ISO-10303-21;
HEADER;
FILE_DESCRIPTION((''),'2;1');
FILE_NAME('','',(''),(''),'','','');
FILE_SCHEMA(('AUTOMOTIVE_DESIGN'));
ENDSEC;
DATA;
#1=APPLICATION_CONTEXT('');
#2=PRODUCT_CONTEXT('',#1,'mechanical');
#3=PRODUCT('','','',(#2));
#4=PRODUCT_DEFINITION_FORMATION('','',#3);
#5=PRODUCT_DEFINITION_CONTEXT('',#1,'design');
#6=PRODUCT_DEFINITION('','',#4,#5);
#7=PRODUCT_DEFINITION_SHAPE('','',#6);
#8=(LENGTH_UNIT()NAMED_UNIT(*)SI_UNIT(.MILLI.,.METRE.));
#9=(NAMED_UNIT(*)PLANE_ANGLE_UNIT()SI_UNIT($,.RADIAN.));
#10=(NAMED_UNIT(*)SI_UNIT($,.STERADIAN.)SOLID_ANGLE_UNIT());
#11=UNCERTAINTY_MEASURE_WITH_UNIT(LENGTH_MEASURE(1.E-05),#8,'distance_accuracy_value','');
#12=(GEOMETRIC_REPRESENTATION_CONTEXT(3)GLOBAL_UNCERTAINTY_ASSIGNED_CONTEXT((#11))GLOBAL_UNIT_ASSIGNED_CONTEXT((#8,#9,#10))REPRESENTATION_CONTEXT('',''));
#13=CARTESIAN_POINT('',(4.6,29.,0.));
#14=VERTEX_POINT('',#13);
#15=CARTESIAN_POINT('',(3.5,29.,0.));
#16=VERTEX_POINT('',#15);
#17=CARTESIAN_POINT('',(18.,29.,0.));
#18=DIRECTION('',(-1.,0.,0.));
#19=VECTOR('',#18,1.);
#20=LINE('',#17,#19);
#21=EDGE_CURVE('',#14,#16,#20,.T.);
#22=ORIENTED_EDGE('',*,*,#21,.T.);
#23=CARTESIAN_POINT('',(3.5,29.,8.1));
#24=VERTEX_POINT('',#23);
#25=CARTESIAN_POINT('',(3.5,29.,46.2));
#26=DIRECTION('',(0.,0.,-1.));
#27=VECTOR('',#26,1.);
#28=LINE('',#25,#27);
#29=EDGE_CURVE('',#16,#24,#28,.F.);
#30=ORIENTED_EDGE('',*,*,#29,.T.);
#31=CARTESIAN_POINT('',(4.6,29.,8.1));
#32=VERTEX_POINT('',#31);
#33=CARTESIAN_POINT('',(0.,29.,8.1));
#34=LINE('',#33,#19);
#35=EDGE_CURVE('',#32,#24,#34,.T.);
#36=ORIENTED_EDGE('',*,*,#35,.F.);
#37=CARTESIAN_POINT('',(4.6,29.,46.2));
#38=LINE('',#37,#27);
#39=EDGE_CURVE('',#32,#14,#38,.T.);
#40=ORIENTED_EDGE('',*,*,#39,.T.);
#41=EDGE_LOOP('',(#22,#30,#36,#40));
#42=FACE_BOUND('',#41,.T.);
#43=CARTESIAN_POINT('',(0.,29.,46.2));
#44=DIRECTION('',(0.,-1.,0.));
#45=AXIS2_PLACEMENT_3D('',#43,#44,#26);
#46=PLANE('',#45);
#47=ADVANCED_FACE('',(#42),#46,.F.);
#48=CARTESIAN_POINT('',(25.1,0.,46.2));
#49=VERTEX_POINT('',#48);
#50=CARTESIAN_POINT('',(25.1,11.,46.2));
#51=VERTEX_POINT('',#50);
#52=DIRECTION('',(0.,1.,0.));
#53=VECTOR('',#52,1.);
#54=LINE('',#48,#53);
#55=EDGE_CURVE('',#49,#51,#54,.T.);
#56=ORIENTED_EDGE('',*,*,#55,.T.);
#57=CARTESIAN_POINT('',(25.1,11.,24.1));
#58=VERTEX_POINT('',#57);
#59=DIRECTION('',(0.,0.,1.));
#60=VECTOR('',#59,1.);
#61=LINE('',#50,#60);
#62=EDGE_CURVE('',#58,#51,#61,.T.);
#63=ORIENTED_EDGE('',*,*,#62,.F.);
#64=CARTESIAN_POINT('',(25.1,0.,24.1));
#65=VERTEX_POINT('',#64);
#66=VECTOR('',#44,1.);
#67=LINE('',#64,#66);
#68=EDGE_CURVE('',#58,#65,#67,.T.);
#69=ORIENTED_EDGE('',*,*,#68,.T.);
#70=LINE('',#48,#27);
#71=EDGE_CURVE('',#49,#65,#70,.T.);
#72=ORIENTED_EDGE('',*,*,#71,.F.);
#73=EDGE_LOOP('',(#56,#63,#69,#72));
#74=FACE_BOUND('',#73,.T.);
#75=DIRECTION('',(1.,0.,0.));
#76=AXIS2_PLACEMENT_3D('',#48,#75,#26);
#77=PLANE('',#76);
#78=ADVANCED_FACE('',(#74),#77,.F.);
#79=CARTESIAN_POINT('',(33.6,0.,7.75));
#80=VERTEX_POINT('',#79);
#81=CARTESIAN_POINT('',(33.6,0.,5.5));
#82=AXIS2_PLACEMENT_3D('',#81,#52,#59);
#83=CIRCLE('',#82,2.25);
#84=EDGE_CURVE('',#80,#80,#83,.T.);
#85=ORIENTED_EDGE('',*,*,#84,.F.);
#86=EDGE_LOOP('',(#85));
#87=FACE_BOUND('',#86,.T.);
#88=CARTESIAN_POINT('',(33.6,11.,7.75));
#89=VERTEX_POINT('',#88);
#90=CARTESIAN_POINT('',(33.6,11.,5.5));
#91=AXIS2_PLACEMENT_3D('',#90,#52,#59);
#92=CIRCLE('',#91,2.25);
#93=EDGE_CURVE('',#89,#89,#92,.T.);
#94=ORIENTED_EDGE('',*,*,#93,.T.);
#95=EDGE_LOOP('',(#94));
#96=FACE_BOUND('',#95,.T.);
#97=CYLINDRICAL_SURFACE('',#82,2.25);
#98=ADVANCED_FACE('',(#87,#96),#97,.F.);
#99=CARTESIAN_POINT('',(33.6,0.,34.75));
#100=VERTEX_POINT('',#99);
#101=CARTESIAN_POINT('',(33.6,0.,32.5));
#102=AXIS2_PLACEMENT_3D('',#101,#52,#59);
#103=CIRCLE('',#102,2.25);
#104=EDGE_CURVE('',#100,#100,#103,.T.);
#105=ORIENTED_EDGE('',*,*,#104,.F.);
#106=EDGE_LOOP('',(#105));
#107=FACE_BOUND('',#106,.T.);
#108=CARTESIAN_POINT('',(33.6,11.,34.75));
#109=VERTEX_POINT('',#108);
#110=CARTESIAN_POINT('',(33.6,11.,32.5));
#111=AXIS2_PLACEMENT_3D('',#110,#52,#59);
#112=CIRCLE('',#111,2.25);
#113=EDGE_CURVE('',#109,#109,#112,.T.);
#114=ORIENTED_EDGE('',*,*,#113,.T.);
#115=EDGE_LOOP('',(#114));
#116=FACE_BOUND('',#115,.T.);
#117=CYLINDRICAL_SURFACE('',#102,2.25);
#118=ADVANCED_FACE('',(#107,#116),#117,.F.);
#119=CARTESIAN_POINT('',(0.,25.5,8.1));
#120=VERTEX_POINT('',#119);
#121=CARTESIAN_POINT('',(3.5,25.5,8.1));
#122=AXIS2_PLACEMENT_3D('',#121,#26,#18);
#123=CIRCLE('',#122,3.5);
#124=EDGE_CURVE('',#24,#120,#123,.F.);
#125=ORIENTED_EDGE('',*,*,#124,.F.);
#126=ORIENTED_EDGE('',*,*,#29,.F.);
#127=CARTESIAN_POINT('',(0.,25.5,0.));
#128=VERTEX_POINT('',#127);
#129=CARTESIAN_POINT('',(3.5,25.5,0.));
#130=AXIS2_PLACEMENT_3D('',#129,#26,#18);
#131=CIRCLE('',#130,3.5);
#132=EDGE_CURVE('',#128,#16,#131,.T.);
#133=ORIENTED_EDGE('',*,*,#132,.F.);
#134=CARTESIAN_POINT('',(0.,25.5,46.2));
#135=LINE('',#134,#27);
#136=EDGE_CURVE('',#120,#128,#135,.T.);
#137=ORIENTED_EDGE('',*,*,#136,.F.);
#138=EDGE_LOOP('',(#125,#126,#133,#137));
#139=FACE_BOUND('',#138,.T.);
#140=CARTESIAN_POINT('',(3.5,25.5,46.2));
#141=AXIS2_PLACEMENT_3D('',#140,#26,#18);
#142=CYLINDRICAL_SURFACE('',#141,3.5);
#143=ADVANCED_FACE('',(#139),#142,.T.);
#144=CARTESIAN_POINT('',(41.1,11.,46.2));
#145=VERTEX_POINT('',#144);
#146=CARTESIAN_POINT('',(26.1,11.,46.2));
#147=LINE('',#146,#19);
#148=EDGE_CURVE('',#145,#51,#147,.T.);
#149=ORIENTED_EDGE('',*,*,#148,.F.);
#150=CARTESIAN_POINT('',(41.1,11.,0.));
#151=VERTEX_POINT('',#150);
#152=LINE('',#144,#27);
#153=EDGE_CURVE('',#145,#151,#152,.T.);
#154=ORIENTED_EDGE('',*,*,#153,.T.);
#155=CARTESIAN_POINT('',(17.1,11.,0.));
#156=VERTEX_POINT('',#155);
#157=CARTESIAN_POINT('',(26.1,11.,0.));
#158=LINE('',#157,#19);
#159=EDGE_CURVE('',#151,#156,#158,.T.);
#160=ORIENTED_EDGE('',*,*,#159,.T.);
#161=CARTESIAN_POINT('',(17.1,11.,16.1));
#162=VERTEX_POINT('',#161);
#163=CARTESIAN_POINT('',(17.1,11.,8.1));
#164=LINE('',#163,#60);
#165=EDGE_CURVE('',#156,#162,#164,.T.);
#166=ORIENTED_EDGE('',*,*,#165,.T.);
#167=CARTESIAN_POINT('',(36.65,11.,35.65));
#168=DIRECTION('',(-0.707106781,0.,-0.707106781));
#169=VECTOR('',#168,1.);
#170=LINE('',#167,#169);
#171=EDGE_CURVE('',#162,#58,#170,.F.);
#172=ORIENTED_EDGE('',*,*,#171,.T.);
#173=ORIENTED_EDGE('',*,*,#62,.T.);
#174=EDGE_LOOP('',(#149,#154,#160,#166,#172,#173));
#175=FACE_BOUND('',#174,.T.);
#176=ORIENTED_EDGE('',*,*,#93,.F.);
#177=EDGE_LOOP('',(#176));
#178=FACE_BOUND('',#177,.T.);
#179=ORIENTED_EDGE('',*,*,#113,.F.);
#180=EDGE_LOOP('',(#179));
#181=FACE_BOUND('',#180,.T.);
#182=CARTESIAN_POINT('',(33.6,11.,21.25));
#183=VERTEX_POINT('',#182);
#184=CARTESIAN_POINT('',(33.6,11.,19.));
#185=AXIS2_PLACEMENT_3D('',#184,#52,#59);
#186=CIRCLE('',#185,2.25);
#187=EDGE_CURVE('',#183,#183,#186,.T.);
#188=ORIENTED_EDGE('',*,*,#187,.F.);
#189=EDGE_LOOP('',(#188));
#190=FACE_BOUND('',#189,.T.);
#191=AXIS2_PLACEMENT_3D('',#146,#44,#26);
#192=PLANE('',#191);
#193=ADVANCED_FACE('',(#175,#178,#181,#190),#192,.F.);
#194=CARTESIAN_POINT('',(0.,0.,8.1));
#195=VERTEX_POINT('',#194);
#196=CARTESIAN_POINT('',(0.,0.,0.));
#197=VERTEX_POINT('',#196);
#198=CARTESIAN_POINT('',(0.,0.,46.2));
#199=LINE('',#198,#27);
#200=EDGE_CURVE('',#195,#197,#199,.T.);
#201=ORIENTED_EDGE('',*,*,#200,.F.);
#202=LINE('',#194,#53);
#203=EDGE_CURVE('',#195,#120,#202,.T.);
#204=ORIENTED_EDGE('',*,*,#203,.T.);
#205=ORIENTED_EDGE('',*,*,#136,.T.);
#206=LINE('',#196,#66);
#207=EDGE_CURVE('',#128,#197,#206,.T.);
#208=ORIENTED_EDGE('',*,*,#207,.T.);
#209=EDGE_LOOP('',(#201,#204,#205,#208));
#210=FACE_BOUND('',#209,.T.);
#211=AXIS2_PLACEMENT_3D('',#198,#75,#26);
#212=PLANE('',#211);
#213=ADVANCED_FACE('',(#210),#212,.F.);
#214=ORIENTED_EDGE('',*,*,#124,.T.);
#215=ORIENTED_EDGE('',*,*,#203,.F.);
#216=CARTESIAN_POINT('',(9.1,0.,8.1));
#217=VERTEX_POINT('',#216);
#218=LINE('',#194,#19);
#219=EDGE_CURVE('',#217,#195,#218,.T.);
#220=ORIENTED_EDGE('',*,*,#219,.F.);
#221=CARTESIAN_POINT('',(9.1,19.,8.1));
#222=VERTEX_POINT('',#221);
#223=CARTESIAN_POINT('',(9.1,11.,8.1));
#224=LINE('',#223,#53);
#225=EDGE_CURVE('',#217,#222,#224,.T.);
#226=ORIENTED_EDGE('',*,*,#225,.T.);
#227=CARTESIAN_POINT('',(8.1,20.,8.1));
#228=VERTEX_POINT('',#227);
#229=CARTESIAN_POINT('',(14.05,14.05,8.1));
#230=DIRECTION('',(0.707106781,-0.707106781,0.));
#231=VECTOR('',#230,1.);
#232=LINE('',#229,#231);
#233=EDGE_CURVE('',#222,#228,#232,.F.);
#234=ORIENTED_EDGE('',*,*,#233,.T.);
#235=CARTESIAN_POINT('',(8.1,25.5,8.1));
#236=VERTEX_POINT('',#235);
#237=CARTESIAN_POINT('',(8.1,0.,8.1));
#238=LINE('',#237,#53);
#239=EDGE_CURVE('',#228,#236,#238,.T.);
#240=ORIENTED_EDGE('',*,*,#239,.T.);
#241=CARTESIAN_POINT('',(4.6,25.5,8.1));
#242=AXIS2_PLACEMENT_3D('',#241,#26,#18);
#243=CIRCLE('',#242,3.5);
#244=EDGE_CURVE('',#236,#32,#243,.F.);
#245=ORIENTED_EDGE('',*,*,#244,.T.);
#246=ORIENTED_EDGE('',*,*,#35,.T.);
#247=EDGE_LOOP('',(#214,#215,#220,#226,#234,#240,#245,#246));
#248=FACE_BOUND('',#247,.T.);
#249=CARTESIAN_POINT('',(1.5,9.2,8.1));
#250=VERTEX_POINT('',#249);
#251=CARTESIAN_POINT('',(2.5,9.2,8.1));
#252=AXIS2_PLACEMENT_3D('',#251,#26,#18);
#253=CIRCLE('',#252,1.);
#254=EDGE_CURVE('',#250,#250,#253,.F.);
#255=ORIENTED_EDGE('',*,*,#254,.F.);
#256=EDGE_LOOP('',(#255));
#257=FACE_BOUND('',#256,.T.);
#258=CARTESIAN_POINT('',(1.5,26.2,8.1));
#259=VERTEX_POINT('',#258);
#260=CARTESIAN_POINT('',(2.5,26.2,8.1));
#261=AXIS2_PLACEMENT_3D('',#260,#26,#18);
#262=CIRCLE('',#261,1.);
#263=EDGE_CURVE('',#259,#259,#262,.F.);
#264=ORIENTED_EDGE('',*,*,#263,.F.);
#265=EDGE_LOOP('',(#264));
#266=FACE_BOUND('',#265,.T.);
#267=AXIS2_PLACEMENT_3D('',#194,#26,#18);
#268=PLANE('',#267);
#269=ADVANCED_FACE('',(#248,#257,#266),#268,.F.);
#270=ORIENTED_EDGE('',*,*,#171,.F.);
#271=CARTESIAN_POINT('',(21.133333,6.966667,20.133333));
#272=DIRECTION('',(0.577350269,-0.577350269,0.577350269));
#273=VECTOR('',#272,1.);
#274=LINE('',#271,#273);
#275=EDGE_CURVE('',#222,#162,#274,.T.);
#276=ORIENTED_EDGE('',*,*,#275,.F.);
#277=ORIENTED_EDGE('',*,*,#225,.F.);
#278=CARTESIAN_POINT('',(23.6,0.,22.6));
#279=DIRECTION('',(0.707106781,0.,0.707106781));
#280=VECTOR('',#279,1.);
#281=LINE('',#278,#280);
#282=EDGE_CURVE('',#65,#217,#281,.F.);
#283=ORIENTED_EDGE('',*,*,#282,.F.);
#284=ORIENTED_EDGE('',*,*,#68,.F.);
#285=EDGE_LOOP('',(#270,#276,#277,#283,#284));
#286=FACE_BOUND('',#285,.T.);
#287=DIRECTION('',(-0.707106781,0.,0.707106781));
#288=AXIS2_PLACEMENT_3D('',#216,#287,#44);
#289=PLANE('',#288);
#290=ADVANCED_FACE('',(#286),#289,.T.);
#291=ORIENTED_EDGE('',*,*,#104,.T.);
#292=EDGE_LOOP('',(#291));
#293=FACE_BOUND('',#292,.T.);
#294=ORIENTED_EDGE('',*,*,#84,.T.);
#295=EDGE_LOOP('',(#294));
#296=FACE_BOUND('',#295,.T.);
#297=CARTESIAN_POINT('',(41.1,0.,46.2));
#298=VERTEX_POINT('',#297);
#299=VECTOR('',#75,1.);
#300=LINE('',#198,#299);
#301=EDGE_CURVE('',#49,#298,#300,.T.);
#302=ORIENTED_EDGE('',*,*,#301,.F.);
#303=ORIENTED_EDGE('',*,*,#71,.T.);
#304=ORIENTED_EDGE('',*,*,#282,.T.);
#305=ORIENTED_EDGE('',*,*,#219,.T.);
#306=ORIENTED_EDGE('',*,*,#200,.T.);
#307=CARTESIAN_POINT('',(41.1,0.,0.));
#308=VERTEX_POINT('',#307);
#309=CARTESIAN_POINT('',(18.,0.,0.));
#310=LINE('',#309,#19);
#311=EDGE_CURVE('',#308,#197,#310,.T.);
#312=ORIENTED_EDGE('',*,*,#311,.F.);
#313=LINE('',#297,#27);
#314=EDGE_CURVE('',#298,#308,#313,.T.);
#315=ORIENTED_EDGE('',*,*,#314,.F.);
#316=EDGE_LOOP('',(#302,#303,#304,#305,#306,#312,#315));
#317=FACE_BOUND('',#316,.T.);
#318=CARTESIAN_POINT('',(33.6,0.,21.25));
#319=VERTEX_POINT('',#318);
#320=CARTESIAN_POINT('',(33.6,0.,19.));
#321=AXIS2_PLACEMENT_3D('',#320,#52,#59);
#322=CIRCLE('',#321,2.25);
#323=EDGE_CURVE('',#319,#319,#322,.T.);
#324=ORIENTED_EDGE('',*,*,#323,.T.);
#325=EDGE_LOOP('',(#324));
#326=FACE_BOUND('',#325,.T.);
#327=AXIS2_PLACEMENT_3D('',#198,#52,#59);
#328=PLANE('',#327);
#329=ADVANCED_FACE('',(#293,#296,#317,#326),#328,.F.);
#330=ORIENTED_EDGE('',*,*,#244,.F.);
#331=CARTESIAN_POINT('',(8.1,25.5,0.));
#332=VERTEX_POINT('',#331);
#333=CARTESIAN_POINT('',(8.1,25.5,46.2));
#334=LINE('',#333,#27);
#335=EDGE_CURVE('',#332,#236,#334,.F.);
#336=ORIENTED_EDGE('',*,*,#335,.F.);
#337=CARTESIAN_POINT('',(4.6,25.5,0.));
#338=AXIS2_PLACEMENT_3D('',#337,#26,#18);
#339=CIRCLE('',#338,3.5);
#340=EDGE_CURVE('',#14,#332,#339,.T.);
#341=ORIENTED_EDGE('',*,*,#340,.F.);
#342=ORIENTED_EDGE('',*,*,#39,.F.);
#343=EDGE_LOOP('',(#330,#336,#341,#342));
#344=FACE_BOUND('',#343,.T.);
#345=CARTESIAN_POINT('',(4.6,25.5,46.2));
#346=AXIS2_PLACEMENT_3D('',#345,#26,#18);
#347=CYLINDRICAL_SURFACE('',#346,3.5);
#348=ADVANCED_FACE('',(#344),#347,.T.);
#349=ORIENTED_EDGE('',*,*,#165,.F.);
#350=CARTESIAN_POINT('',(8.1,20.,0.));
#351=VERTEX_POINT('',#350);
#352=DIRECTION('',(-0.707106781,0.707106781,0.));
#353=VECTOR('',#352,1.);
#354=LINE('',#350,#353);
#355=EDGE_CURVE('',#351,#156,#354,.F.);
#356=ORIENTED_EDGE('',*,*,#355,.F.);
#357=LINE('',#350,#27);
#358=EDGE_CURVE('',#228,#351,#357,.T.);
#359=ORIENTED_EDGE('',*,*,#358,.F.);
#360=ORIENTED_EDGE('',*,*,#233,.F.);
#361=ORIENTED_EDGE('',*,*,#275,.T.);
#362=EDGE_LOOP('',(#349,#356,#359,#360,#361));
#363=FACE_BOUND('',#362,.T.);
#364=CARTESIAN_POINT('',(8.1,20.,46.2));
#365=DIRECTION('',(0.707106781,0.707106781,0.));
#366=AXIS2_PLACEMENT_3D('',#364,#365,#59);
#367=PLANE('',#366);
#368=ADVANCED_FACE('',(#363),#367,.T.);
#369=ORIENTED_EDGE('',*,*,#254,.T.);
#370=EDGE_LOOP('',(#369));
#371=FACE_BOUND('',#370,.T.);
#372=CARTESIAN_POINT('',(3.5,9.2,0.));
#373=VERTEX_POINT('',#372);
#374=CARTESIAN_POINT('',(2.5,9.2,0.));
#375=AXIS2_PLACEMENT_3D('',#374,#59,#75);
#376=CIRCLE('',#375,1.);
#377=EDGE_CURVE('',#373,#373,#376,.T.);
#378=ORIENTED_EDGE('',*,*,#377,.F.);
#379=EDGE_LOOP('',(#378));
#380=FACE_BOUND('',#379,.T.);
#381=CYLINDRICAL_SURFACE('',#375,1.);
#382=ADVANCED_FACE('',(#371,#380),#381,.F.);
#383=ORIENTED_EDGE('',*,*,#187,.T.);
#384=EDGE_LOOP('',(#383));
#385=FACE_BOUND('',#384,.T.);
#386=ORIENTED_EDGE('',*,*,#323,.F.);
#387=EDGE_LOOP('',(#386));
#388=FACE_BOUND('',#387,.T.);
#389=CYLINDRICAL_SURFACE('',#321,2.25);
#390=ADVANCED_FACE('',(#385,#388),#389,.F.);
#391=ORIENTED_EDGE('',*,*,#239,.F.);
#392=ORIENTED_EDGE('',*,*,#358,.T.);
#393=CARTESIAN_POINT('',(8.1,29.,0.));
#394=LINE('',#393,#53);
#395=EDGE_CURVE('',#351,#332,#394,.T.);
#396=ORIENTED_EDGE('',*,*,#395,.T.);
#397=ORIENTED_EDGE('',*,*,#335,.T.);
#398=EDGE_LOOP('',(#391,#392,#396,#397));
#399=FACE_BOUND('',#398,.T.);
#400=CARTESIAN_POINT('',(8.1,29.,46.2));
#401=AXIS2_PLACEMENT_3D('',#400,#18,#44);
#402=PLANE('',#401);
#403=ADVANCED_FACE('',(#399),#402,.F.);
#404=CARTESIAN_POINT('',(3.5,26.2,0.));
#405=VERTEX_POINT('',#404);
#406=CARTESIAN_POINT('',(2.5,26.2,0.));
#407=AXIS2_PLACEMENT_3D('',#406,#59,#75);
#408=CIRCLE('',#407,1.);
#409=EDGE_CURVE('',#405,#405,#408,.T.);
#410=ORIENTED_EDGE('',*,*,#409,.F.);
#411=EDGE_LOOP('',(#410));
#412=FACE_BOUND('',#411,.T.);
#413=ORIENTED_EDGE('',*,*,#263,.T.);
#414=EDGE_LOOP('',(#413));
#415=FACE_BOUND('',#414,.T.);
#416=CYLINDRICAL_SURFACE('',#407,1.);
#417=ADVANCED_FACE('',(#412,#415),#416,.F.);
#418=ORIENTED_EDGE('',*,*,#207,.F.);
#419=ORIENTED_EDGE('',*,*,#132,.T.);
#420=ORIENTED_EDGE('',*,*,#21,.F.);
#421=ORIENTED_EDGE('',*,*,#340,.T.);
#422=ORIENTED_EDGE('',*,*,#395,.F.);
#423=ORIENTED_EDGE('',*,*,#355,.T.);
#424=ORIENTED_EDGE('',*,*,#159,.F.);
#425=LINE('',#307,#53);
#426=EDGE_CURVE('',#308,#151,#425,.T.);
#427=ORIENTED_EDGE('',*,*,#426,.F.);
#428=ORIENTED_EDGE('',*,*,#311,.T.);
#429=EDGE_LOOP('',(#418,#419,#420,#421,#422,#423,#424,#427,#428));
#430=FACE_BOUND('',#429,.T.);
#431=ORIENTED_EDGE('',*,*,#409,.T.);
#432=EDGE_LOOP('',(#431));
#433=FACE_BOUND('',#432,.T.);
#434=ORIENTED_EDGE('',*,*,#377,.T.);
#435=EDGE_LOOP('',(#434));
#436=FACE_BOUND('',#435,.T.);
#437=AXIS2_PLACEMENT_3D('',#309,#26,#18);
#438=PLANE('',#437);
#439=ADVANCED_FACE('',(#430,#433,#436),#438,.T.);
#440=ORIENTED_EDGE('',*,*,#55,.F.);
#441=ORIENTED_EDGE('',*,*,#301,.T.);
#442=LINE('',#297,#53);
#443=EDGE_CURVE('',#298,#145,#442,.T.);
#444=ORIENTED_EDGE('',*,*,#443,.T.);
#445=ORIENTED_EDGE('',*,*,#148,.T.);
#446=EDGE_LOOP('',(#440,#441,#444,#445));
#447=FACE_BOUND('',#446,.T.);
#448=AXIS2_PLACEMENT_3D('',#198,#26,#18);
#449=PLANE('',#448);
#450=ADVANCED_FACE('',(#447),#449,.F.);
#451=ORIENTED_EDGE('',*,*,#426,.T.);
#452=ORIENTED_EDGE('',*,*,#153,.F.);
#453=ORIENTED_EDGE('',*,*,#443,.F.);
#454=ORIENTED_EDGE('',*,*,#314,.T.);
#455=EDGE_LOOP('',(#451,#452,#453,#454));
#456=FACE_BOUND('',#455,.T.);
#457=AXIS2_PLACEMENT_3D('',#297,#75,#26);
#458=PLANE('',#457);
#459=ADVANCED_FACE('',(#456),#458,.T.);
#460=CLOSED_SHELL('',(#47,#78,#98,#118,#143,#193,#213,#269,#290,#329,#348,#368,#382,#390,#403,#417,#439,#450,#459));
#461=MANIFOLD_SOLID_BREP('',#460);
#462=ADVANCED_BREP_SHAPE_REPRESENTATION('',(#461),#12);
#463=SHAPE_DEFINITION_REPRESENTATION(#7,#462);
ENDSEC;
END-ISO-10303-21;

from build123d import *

# Parameters (mm, degrees)
ESQUISSE1_W                  = 18
ESQUISSE1_H                  = 29
BOSS_EXTRU_1_DEPTH           = 46.2
ESQUISSE3_R                  = 1
ENL_V_MAT_EXTRU_1_DEPTH      = 58.440752084
ESQUISSE4_W                  = 18
ESQUISSE4_H                  = 30
ENL_V_MAT_EXTRU_2_DEPTH      = 58.440752084
ESQUISSE5_W                  = 8.1
ESQUISSE5_H                  = 46.2
BOSS_EXTRU_2_DEPTH           = 29
CONG_1_R                     = 3.5
ENL_V_START                  = -46.2
ESQUISSE7_W                  = 18
ESQUISSE7_H                  = 18
ENL_V_MAT_EXTRU_4_DEPTH      = 46.2
ESQUISSE8_W                  = 15
ESQUISSE8_H                  = 46.2
ESQUISSE8_R                  = 2.25
BOSS_EXTRU_3_DEPTH           = 11
CHANFREIN1_SIZE              = 9
CONG_2_R                     = 3.5
ENL_V_MAT_EXTRU_5_DEPTH      = 65.402251513
ENL_V_MAT_EXTRU_5_DEPTH_BACK = 65.402251513
ESQUISSE9_W                  = 25.1
ESQUISSE9_H                  = 38.1
CHANFREIN2_SIZE              = 16


with BuildPart() as part:
    # Esquisse1 → Boss.-Extru.1 (new body)
    with BuildSketch(Plane.XY):
        with Locations((9, 14.5)):
            Rectangle(ESQUISSE1_W, ESQUISSE1_H)
    extrude(amount=BOSS_EXTRU_1_DEPTH)

    # Esquisse3 → Enlèv. mat.-Extru.1 (cut, through all)
    with BuildSketch(Plane.XY.offset(46.2)):
        with Locations((2.5, 26.2)):
            Circle(ESQUISSE3_R)
        with Locations((2.5, 9.2)):
            Circle(ESQUISSE3_R)
    extrude(amount=-ENL_V_MAT_EXTRU_1_DEPTH, mode=Mode.SUBTRACT)

    # Esquisse4 → Enlèv. mat.-Extru.2 (cut, through all)
    with BuildSketch(Plane(origin=(0, 29, 0), x_dir=(1, 0, 0), z_dir=(0, 1, 0))):
        with Locations((9, -23.1)):
            Rectangle(ESQUISSE4_W, ESQUISSE4_H)
    extrude(amount=-ENL_V_MAT_EXTRU_2_DEPTH, mode=Mode.SUBTRACT)


with BuildPart() as enl_v_mat_extru_2_piece_1:
    # of the separate pieces the step leaves, piece 1, a body of its own (enl_v_mat_extru_2_pieces)
    add(part.part.solids().sort_by_distance((0, 0, 0))[0])



with BuildPart() as enl_v_mat_extru_2_piece_2:
    # of the separate pieces the step leaves, piece 2, a body of its own (enl_v_mat_extru_2_pieces)
    add(part.part.solids().sort_by_distance((18, 0, 38.1))[0])


with BuildPart() as enl_v_mat_extru_2_piece_1_1:
    add(enl_v_mat_extru_2_piece_1.part)

    add(enl_v_mat_extru_2_piece_2.part)  # Boss.-Extru.2 merges Enlèv. mat.-Extru.2 piece 2
    # Esquisse5 → Boss.-Extru.2 (add)
    with BuildSketch(Plane(origin=(0, 29, 0), x_dir=(1, 0, 0), z_dir=(0, 1, 0))):
        with Locations((22.05, -23.1)):
            Rectangle(ESQUISSE5_W, ESQUISSE5_H)
    extrude(amount=-BOSS_EXTRU_2_DEPTH)

    # Congé1
    cong_1_edges = [enl_v_mat_extru_2_piece_1_1.edges().sort_by_distance(p)[0] for p in [
        (0, 29, 42.15),
        (0, 29, 4.05),
    ]]
    fillet(cong_1_edges, radius=CONG_1_R)

    # Esquisse7 → Enlèv. mat.-Extru.4 (cut)
    with BuildSketch(Plane(origin=(0, 0, 0), x_dir=(-1, 0, 0), z_dir=(0, 0, -1)).offset(ENL_V_START)):
        with Locations((-17.1, 20)):
            Rectangle(ESQUISSE7_W, ESQUISSE7_H)
    extrude(amount=ENL_V_MAT_EXTRU_4_DEPTH, mode=Mode.SUBTRACT)

    # Esquisse8 → Boss.-Extru.3 (add)
    with BuildSketch(Plane(origin=(0, 11, 0), x_dir=(1, 0, 0), z_dir=(0, 1, 0))):
        with Locations((33.6, -23.1)):
            Rectangle(ESQUISSE8_W, ESQUISSE8_H)
        with Locations(Location((33.6, -5.5, 0), (0, 0, 270))):
            Circle(ESQUISSE8_R, mode=Mode.SUBTRACT)
        with Locations(Location((33.6, -32.5, 0), (0, 0, 270))):
            Circle(ESQUISSE8_R, mode=Mode.SUBTRACT)
        with Locations(Location((33.6, -19, 0), (0, 0, 270))):
            Circle(ESQUISSE8_R, mode=Mode.SUBTRACT)
    extrude(amount=-BOSS_EXTRU_3_DEPTH)

    # Chanfrein1
    chanfrein1_edges = [enl_v_mat_extru_2_piece_1_1.edges().sort_by_distance(p)[0] for p in [
        (8.1, 11, 42.15),
        (8.1, 11, 4.05),
    ]]
    chamfer(chanfrein1_edges, length=CHANFREIN1_SIZE)

    # Congé2
    cong_2_edges = [enl_v_mat_extru_2_piece_1_1.edges().sort_by_distance(p)[0] for p in [
        (8.1, 29, 42.15),
        (8.1, 29, 4.05),
    ]]
    fillet(cong_2_edges, radius=CONG_2_R)

    # Esquisse9 → Enlèv. mat.-Extru.5 (cut, two sides: drawn at the far end of the back side and taken through both)
    with BuildSketch(Plane(origin=(0, 11, 0), x_dir=(1, 0, 0), z_dir=(0, 1, 0)).offset(-ENL_V_MAT_EXTRU_5_DEPTH_BACK)):
        with Locations((12.55, -27.15)):
            Rectangle(ESQUISSE9_W, ESQUISSE9_H)
    extrude(amount=ENL_V_MAT_EXTRU_5_DEPTH + ENL_V_MAT_EXTRU_5_DEPTH_BACK, mode=Mode.SUBTRACT)

    # Chanfrein2
    chanfrein2_edges = [enl_v_mat_extru_2_piece_1_1.edges().sort_by_distance(p)[0] for p in [
        (25.1, 5.5, 8.1),
    ]]
    chamfer(chanfrein2_edges, length=CHANFREIN2_SIZE)


solid = enl_v_mat_extru_2_piece_1_1.part
